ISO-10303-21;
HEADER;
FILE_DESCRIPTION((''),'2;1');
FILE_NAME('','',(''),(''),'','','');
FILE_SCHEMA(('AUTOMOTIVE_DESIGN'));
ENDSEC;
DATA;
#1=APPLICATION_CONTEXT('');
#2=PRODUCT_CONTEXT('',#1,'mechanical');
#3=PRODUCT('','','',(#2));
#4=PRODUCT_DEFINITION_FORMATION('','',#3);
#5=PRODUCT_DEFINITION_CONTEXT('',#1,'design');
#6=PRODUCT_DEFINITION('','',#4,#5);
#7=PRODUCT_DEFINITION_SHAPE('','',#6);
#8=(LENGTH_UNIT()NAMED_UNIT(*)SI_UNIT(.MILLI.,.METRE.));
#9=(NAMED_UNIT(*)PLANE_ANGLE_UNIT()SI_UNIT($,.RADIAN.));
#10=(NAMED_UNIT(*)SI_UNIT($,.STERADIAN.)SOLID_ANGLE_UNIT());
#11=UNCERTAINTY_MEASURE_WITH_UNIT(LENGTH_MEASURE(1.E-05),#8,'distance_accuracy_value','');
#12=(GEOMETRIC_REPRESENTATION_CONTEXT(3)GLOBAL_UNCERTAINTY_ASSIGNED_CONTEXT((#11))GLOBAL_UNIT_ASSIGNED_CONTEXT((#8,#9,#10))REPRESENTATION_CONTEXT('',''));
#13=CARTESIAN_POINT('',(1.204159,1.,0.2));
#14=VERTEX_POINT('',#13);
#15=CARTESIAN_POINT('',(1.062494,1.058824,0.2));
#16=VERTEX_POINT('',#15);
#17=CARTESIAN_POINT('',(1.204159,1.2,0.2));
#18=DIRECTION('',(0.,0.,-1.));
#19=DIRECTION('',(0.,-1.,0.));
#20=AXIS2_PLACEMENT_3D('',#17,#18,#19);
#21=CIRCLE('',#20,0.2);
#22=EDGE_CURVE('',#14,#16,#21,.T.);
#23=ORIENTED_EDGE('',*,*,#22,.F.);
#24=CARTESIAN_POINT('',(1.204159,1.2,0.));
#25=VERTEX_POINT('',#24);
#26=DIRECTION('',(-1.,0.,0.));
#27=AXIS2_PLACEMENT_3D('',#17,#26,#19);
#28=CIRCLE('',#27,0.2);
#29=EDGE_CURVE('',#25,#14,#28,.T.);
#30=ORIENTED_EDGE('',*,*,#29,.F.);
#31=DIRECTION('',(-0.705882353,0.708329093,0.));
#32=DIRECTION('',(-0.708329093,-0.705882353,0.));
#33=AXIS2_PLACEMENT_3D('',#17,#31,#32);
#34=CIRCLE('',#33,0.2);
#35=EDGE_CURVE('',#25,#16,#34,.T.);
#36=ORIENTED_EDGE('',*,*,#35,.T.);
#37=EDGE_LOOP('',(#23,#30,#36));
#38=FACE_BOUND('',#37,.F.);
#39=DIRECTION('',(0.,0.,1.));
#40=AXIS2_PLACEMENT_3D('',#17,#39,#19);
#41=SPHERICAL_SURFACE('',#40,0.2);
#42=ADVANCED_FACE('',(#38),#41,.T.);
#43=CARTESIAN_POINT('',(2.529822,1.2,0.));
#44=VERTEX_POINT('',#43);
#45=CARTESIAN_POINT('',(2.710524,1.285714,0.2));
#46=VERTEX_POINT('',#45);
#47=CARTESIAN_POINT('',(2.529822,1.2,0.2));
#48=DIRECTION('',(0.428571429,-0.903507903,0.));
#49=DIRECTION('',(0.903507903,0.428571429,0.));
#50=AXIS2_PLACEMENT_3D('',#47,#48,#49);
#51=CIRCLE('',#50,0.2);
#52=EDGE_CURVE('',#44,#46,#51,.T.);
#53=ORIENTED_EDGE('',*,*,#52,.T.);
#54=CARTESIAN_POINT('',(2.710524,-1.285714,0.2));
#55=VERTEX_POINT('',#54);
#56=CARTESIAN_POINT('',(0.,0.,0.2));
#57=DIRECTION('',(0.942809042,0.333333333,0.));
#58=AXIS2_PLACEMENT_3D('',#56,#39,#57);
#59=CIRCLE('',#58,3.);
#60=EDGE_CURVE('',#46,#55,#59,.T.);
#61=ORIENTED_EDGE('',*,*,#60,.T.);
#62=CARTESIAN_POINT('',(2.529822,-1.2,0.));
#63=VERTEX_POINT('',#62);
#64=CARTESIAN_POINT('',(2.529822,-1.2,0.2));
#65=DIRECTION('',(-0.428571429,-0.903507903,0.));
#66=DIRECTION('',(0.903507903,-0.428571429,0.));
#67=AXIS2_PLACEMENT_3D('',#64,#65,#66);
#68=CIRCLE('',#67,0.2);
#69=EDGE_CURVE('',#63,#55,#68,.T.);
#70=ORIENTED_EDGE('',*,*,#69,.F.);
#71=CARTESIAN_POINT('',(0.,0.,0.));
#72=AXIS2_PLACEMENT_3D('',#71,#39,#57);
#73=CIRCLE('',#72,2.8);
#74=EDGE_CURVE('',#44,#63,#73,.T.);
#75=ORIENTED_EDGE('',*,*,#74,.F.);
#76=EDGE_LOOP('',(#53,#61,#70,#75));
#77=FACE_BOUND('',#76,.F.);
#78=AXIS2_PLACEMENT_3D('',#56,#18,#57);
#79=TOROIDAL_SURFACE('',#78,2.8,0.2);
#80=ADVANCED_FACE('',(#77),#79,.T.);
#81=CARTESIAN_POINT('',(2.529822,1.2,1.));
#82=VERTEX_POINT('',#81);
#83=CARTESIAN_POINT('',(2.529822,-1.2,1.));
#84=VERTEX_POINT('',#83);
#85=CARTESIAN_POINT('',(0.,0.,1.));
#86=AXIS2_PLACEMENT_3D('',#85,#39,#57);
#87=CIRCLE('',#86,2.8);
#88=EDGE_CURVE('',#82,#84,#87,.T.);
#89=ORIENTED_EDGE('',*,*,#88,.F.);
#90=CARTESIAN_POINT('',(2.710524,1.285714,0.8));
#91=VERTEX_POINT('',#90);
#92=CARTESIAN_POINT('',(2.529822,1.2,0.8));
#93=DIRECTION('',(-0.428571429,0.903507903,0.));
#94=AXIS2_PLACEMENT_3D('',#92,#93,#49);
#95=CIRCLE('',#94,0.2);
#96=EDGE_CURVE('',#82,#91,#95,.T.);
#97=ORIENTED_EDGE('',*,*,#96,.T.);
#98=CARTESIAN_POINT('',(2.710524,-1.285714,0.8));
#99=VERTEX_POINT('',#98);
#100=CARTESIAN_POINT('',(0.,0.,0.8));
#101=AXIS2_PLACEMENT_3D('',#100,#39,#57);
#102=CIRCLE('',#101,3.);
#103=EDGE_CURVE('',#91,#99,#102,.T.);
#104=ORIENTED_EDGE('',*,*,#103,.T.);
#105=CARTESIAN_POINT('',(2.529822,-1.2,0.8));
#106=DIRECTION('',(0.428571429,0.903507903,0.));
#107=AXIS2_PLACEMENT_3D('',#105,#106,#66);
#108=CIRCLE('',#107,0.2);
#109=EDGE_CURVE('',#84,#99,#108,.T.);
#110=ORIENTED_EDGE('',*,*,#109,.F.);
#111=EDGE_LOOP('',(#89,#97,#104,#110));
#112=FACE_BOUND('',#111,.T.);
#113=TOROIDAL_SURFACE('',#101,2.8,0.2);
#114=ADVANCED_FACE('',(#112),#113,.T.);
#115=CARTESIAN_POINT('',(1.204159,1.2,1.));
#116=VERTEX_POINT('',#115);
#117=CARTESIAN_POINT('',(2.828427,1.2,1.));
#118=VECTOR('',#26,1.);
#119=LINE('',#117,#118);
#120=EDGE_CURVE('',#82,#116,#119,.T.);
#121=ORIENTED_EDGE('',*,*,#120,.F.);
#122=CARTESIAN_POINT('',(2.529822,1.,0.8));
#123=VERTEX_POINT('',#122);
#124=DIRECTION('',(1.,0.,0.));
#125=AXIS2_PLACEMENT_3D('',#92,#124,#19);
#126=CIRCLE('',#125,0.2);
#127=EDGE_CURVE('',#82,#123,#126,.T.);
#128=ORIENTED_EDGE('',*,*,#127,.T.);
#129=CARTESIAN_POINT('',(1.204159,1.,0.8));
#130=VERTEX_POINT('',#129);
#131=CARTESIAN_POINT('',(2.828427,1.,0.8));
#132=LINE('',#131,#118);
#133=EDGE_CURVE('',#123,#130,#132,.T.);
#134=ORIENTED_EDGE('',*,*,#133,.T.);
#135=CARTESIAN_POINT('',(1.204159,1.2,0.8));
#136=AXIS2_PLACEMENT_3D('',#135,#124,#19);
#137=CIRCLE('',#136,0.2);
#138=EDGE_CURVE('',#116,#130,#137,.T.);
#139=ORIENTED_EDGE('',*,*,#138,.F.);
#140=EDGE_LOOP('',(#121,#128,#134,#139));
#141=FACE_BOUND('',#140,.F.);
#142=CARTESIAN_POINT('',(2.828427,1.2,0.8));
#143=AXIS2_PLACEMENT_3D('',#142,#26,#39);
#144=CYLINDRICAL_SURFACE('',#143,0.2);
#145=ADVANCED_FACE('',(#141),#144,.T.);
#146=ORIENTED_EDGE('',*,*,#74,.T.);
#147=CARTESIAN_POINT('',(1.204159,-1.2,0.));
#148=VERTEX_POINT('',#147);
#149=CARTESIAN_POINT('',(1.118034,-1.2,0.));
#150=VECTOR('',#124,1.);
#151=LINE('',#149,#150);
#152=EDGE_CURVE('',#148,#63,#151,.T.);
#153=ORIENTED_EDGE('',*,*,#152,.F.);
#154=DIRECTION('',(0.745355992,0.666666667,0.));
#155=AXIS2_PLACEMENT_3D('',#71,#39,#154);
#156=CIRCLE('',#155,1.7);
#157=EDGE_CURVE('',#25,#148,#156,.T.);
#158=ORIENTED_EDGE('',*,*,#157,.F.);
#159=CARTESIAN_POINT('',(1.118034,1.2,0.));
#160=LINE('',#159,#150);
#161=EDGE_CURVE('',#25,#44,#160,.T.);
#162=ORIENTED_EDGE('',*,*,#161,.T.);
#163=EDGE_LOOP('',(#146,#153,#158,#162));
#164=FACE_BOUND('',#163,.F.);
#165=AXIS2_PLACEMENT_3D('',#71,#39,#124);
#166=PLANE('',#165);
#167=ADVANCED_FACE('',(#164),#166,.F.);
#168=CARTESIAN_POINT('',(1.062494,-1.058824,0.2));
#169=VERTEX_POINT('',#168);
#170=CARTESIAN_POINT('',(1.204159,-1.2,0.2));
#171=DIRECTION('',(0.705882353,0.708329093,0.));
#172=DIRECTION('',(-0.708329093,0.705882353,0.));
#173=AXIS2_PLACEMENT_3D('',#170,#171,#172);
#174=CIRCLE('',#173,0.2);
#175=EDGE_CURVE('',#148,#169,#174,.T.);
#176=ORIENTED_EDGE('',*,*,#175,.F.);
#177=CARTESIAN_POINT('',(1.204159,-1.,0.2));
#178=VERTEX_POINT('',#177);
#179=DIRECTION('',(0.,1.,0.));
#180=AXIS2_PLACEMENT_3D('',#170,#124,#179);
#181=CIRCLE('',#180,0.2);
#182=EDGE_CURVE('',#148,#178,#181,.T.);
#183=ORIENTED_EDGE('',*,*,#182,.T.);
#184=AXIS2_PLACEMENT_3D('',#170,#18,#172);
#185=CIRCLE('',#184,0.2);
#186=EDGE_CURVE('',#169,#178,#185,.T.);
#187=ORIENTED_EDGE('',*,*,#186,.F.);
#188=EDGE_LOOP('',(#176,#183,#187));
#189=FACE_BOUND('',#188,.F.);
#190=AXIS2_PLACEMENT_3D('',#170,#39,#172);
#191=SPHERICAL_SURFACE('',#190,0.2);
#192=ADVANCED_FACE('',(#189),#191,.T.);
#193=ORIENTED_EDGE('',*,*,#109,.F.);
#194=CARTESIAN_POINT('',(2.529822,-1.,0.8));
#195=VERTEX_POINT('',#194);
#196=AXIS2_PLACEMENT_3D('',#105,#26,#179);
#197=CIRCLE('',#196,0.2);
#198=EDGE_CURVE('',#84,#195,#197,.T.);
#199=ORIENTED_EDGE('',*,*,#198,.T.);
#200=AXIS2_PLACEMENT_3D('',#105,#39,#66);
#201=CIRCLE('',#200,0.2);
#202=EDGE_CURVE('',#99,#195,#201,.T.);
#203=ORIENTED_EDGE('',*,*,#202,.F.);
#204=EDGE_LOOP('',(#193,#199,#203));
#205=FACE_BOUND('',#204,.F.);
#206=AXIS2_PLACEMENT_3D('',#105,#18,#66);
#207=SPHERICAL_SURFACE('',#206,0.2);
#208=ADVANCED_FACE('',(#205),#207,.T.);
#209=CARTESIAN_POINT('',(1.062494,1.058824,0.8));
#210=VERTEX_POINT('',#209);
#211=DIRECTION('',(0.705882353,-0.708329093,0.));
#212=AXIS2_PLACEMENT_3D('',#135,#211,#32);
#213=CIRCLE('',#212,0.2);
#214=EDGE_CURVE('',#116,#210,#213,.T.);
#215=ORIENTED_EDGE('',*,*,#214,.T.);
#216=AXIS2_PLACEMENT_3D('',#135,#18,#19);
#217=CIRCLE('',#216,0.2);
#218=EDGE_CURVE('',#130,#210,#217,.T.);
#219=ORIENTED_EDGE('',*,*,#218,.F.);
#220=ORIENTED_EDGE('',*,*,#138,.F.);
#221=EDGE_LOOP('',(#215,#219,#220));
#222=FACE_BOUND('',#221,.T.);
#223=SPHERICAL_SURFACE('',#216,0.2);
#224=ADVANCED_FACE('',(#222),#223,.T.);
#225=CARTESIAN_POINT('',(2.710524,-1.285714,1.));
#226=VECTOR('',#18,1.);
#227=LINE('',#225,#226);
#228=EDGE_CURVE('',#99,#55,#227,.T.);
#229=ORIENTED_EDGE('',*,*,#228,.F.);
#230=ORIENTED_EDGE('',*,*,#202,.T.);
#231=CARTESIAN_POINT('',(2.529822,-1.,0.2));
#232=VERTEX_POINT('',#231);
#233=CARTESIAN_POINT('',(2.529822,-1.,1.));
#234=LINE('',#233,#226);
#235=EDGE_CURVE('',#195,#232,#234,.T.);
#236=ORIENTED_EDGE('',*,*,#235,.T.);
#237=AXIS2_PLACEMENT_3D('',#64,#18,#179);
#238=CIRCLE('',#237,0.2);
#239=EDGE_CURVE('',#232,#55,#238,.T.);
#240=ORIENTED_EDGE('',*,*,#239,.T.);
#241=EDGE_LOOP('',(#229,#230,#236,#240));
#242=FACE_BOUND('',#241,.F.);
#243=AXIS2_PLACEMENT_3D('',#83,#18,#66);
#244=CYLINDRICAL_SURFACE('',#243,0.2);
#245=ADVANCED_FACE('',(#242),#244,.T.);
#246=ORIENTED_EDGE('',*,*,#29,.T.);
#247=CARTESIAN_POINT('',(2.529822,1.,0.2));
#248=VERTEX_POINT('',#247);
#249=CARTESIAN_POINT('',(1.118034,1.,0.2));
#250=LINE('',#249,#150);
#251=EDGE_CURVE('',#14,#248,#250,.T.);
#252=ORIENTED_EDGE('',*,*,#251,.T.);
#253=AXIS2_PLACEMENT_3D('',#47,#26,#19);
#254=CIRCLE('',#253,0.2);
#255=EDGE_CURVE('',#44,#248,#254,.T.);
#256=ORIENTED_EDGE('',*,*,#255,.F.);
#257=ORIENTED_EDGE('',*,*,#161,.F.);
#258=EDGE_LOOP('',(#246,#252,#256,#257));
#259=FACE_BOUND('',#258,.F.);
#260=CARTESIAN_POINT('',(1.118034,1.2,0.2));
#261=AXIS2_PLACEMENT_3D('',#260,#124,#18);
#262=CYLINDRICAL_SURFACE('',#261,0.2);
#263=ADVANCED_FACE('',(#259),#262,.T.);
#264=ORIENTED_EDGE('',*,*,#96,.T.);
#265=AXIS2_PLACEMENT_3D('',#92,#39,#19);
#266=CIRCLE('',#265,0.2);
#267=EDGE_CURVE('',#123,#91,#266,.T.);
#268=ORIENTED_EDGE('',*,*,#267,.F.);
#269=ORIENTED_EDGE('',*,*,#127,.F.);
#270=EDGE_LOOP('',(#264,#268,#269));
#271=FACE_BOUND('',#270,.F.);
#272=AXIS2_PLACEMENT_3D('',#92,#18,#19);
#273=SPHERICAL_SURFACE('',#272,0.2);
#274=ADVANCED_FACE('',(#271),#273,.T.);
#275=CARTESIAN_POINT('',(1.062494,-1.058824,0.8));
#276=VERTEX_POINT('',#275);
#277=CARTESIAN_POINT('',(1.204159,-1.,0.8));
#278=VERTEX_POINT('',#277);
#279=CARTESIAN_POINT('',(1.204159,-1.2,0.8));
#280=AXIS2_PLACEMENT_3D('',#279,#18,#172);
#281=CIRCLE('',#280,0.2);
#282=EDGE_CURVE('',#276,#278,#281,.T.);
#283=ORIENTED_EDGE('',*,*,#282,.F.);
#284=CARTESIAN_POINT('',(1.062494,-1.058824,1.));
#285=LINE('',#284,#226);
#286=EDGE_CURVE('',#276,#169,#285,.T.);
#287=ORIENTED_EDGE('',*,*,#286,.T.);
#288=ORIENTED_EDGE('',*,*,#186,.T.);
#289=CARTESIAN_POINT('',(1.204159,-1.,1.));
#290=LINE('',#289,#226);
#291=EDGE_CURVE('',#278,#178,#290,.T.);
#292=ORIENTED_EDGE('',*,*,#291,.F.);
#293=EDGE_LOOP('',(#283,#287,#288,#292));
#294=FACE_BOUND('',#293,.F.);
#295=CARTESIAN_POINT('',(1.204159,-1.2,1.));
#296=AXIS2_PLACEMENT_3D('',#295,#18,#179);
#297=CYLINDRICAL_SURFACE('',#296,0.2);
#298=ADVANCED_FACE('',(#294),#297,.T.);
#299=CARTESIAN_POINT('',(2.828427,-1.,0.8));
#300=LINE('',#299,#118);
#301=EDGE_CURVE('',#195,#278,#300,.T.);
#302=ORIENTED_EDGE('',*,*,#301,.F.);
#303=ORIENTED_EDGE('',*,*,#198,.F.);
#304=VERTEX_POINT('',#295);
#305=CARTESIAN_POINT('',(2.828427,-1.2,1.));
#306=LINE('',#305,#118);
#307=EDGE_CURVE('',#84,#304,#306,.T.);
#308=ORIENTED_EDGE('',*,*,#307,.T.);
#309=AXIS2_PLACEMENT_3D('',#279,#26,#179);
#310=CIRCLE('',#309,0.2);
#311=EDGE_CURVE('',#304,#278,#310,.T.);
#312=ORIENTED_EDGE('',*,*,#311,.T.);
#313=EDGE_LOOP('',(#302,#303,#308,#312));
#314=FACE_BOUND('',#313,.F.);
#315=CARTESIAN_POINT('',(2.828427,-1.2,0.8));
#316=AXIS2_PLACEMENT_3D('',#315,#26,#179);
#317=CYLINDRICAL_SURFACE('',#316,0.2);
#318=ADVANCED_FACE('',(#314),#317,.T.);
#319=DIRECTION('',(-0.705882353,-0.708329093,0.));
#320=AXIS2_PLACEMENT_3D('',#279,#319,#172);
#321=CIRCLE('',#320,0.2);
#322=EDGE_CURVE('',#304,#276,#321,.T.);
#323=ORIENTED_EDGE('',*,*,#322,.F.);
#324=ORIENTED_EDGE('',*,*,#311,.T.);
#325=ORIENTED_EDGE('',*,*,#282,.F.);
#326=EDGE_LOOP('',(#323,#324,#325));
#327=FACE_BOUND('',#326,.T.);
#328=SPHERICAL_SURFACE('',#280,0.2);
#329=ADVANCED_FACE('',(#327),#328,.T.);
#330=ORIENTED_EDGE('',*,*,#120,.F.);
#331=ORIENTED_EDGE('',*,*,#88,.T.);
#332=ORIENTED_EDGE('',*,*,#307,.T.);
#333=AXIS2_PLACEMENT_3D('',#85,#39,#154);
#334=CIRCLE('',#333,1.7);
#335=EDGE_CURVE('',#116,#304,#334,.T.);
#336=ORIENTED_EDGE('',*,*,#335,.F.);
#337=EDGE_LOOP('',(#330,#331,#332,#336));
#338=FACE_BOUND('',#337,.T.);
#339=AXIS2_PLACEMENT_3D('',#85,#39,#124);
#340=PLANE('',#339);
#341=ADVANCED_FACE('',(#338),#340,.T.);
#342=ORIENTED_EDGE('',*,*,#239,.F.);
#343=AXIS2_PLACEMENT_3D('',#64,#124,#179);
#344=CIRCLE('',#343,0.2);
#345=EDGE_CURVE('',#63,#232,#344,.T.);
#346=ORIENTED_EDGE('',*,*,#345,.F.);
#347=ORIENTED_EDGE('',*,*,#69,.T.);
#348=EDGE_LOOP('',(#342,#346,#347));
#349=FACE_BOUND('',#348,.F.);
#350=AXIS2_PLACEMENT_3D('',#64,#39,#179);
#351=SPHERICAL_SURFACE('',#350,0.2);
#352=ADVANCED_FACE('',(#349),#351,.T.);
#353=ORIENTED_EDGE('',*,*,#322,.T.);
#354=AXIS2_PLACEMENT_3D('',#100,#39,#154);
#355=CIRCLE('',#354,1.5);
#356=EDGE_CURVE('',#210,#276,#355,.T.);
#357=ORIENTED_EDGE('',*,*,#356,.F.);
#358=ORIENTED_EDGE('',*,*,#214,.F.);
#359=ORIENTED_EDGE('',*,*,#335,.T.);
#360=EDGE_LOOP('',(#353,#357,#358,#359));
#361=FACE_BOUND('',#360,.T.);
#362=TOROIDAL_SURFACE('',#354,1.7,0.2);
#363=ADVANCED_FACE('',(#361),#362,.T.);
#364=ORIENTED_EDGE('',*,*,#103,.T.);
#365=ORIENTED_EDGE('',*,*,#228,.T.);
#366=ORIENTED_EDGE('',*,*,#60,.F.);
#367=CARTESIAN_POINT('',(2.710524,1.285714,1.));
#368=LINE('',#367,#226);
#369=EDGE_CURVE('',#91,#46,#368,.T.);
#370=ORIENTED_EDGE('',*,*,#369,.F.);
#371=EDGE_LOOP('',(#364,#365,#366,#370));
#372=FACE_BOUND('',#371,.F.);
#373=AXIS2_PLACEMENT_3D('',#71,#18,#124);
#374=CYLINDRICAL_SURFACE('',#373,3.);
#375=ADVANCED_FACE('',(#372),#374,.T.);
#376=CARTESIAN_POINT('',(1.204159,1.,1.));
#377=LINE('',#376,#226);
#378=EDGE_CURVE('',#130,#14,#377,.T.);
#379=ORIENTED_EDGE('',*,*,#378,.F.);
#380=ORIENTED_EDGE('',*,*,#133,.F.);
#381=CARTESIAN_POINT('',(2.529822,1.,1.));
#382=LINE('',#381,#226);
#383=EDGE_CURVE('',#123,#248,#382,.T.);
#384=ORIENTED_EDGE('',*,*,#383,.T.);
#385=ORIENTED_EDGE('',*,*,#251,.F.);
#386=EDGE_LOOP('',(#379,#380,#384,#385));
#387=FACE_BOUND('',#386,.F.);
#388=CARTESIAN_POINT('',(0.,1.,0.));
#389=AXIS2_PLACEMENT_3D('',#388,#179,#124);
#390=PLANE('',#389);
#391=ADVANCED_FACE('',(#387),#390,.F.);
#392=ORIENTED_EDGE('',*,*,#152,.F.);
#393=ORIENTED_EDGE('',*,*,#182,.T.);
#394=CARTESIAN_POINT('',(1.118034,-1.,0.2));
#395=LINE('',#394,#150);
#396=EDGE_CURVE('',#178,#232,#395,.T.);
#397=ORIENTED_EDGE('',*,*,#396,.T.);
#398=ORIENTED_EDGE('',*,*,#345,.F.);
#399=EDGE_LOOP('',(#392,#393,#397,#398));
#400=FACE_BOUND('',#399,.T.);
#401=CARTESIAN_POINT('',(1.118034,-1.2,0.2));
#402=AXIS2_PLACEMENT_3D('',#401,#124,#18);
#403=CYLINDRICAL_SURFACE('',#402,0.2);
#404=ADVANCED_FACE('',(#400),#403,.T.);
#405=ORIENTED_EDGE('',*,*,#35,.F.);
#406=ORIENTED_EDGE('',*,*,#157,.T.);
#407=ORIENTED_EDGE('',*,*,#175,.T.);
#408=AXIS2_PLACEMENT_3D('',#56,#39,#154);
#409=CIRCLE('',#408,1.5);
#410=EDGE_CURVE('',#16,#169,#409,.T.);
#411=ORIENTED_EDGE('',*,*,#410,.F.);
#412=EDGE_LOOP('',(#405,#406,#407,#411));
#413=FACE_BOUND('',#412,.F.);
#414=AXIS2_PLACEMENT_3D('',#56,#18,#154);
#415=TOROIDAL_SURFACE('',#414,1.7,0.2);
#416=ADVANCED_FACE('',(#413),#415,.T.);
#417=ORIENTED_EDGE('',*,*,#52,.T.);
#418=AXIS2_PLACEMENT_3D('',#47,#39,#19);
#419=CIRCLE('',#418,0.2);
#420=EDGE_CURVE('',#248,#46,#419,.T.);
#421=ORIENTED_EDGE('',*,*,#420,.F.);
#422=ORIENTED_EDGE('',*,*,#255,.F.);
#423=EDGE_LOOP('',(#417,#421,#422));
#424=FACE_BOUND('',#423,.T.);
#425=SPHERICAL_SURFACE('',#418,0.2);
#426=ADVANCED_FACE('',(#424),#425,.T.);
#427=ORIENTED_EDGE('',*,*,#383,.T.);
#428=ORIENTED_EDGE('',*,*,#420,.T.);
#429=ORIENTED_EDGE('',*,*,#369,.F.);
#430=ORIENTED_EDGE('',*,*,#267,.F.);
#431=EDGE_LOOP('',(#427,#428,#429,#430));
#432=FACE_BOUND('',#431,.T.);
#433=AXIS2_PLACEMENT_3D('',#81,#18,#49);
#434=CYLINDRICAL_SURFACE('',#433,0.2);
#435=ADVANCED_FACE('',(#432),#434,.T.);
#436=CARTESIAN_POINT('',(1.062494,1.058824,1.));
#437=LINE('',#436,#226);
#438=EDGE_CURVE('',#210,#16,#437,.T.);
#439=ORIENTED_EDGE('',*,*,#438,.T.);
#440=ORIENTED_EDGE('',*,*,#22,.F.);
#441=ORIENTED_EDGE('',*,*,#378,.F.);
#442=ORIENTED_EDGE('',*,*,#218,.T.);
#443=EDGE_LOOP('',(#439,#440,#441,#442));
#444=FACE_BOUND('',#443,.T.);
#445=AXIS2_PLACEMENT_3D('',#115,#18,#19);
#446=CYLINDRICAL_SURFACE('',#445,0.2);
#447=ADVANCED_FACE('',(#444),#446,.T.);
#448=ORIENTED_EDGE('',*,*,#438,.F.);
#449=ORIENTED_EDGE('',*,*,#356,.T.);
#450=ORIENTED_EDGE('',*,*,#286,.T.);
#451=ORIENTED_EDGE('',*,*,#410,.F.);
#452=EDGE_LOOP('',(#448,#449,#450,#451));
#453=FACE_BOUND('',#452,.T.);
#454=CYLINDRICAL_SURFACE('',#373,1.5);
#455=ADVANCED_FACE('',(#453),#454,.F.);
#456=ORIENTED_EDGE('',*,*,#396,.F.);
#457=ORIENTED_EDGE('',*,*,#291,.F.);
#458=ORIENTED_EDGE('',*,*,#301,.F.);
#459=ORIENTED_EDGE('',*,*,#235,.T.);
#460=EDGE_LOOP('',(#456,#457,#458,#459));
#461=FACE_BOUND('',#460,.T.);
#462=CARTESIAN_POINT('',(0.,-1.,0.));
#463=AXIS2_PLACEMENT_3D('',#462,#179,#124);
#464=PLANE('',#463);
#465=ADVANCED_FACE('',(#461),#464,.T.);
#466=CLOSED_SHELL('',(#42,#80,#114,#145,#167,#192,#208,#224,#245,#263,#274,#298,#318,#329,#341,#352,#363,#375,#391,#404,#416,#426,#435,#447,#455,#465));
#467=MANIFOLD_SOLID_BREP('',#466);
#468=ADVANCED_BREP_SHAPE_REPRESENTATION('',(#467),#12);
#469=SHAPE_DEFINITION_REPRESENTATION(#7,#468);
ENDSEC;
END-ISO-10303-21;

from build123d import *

# Parameters (mm, degrees)
BOX_W             = 3
BOX_H             = 2
BOX_DEPTH         = 10
CYLINDER_R        = 1.5
CYLINDER_DEPTH    = 1
CYLINDER001_R     = 3
CYLINDER001_DEPTH = 1
FILLET_R          = 0.2


with BuildPart() as cube:
    # Box → Box (new body)
    with BuildSketch(Plane(origin=(0, -1, 0), x_dir=(1, 0, 0), z_dir=(0, 0, 1))):
        with Locations((1.5, 1)):
            Rectangle(BOX_W, BOX_H)
    extrude(amount=BOX_DEPTH)


with BuildPart() as cylinder:
    # Cylinder → Cylinder (new body)
    with BuildSketch(Plane.XY):
        Circle(CYLINDER_R)
    extrude(amount=CYLINDER_DEPTH)


with BuildPart() as seegerring3mm:
    # Cylinder001 → Cylinder001 (new body)
    with BuildSketch(Plane.XY):
        Circle(CYLINDER001_R)
    extrude(amount=CYLINDER001_DEPTH)

    # Cut: cut Cylinder
    add(cylinder.part, mode=Mode.SUBTRACT)

    # Cut001: cut Cube
    add(cube.part, mode=Mode.SUBTRACT)

    # Fillet
    fillet_edges = [seegerring3mm.edges().sort_by_distance(p)[0] for p in [
        (-3, 0, 0),
        (2.828427, -1, 0.5),
        (-3, 0, 1),
        (2.828427, 1, 0.5),
        (1.973231, 1, 0),
        (-1.5, 0, 0),
        (1.973231, -1, 0),
        (1.973231, -1, 1),
        (1.118034, -1, 0.5),
        (1.973231, 1, 1),
        (-1.5, 0, 1),
        (1.118034, 1, 0.5),
    ]]
    fillet(fillet_edges, radius=FILLET_R)


solid = seegerring3mm.part
